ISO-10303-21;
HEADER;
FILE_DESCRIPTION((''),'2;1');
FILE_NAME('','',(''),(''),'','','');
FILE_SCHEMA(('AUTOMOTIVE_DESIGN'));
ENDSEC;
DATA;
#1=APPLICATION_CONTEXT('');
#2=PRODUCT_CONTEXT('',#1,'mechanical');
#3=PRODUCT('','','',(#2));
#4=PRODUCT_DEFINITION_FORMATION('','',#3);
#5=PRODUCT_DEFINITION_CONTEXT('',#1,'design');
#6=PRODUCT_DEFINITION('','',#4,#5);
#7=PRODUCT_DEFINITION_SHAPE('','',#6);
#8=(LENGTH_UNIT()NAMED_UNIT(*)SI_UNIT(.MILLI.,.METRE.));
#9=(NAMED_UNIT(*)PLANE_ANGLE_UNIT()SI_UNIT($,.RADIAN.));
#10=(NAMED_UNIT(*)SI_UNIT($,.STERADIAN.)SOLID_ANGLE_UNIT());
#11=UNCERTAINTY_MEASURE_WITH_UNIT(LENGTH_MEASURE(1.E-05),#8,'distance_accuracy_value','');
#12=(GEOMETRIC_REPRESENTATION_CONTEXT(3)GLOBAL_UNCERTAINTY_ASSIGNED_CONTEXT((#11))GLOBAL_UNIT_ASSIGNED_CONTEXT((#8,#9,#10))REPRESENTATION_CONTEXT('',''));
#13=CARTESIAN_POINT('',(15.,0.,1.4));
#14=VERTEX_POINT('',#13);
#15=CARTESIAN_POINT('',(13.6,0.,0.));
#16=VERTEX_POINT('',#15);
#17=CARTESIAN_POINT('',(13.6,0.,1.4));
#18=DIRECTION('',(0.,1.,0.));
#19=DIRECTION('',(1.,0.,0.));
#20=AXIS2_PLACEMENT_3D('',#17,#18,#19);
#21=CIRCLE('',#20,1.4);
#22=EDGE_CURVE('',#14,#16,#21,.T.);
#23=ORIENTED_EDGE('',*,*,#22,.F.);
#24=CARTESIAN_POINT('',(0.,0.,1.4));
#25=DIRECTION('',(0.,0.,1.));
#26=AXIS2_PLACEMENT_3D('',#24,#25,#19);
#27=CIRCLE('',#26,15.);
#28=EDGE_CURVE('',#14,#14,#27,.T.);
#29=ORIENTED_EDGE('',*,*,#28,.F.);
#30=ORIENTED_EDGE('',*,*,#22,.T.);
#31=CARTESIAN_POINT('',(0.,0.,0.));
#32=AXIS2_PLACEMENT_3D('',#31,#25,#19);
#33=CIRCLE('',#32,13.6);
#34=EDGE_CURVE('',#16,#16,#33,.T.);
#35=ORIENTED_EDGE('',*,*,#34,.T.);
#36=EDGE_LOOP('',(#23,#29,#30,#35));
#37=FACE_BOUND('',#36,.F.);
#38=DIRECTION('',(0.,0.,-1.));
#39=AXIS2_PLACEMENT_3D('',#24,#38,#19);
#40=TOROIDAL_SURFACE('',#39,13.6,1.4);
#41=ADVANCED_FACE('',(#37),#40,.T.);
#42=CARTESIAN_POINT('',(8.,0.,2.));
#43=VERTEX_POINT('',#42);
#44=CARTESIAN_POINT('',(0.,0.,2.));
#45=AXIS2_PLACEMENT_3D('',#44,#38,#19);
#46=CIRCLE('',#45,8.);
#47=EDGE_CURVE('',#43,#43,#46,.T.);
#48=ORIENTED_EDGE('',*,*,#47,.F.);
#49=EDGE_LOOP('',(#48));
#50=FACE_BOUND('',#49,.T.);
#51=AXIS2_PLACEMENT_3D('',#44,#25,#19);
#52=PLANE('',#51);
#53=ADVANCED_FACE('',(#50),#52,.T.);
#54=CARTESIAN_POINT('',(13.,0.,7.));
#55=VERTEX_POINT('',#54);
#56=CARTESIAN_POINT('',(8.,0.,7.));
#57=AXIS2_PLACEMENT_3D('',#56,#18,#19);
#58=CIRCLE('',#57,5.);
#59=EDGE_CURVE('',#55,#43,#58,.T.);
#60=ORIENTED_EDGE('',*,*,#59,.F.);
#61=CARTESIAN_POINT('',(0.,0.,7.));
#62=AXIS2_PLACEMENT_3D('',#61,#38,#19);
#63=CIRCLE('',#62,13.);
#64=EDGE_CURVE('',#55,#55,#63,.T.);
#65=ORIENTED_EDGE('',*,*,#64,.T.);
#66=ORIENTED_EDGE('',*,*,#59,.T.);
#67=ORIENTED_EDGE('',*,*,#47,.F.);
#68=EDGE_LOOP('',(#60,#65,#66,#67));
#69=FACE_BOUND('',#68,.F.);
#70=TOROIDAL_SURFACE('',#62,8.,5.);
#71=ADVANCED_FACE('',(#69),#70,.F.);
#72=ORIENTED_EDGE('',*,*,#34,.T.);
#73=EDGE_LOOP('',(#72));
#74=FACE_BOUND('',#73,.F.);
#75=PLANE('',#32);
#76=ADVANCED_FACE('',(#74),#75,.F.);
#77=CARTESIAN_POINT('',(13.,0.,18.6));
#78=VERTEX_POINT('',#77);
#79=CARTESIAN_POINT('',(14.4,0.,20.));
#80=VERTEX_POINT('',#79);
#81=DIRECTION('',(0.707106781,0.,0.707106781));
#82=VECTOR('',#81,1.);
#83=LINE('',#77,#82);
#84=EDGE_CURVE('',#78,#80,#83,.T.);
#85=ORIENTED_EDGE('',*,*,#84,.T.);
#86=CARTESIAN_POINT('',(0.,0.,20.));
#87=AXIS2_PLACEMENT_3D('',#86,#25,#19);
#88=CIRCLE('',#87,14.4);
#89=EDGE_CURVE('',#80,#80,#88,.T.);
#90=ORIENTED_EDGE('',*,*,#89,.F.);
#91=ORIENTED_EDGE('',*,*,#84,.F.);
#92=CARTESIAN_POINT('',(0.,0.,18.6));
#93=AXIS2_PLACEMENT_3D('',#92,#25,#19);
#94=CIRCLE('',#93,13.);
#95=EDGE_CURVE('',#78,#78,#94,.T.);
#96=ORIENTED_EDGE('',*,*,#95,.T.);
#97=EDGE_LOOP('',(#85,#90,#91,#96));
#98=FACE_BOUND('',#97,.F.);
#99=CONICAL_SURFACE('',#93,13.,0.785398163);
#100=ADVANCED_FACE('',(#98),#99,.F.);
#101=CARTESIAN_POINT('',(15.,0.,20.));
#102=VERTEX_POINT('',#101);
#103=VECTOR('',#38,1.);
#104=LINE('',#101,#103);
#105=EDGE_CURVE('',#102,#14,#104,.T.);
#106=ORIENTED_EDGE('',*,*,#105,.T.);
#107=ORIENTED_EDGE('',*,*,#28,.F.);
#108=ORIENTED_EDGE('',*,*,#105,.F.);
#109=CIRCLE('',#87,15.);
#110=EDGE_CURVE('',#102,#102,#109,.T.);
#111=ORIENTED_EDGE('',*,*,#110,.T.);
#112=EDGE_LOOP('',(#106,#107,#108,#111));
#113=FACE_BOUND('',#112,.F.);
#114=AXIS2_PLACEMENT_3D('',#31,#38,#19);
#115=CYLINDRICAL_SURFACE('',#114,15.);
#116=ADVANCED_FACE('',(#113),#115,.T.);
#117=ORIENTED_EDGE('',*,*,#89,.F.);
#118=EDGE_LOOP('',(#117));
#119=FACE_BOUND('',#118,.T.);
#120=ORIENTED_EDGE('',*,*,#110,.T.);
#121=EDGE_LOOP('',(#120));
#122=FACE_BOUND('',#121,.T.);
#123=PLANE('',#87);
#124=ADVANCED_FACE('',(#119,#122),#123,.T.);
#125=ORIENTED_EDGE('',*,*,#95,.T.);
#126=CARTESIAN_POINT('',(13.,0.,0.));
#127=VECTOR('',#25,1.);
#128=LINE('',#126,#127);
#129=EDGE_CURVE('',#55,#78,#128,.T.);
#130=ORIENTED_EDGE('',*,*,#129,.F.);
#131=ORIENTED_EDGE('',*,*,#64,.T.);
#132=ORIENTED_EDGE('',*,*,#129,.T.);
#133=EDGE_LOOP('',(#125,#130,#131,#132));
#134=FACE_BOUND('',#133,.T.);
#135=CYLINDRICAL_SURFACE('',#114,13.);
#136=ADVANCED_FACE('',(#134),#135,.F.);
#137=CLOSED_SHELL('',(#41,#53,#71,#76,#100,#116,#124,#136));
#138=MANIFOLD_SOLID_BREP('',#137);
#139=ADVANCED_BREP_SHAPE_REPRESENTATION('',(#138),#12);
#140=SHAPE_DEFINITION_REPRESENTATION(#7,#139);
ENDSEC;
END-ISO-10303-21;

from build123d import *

# Parameters (mm, degrees)
F0_R     = 15
F0_R_2   = 13
F1_DEPTH = 2
F2_DEPTH = 20
F3_R     = 5
F4_SIZE  = 1.4
F5_R     = 1.4


with BuildPart() as f1:
    # F0 (on Top) → F1 (new body)
    with BuildSketch(Plane.XY):
        Circle(F0_R)
        Circle(F0_R_2, mode=Mode.SUBTRACT)
        Circle(F0_R_2)
    extrude(amount=F1_DEPTH)

    # F0 (on Top) → F2 (join)
    with BuildSketch(Plane.XY):
        Circle(F0_R)
        Circle(F0_R_2, mode=Mode.SUBTRACT)
    extrude(amount=F2_DEPTH)

    # F3
    f3_edges = [f1.edges().sort_by_distance(p)[0] for p in [
        (-13, 0, 2),
    ]]
    fillet(f3_edges, radius=F3_R)

    # F4
    f4_edges = [f1.edges().sort_by_distance(p)[0] for p in [
        (-13, 0, 20),
    ]]
    chamfer(f4_edges, length=F4_SIZE)

    # F5
    f5_edges = [f1.edges().sort_by_distance(p)[0] for p in [
        (-15, 0, 0),
    ]]
    fillet(f5_edges, radius=F5_R)


solid = f1.part
